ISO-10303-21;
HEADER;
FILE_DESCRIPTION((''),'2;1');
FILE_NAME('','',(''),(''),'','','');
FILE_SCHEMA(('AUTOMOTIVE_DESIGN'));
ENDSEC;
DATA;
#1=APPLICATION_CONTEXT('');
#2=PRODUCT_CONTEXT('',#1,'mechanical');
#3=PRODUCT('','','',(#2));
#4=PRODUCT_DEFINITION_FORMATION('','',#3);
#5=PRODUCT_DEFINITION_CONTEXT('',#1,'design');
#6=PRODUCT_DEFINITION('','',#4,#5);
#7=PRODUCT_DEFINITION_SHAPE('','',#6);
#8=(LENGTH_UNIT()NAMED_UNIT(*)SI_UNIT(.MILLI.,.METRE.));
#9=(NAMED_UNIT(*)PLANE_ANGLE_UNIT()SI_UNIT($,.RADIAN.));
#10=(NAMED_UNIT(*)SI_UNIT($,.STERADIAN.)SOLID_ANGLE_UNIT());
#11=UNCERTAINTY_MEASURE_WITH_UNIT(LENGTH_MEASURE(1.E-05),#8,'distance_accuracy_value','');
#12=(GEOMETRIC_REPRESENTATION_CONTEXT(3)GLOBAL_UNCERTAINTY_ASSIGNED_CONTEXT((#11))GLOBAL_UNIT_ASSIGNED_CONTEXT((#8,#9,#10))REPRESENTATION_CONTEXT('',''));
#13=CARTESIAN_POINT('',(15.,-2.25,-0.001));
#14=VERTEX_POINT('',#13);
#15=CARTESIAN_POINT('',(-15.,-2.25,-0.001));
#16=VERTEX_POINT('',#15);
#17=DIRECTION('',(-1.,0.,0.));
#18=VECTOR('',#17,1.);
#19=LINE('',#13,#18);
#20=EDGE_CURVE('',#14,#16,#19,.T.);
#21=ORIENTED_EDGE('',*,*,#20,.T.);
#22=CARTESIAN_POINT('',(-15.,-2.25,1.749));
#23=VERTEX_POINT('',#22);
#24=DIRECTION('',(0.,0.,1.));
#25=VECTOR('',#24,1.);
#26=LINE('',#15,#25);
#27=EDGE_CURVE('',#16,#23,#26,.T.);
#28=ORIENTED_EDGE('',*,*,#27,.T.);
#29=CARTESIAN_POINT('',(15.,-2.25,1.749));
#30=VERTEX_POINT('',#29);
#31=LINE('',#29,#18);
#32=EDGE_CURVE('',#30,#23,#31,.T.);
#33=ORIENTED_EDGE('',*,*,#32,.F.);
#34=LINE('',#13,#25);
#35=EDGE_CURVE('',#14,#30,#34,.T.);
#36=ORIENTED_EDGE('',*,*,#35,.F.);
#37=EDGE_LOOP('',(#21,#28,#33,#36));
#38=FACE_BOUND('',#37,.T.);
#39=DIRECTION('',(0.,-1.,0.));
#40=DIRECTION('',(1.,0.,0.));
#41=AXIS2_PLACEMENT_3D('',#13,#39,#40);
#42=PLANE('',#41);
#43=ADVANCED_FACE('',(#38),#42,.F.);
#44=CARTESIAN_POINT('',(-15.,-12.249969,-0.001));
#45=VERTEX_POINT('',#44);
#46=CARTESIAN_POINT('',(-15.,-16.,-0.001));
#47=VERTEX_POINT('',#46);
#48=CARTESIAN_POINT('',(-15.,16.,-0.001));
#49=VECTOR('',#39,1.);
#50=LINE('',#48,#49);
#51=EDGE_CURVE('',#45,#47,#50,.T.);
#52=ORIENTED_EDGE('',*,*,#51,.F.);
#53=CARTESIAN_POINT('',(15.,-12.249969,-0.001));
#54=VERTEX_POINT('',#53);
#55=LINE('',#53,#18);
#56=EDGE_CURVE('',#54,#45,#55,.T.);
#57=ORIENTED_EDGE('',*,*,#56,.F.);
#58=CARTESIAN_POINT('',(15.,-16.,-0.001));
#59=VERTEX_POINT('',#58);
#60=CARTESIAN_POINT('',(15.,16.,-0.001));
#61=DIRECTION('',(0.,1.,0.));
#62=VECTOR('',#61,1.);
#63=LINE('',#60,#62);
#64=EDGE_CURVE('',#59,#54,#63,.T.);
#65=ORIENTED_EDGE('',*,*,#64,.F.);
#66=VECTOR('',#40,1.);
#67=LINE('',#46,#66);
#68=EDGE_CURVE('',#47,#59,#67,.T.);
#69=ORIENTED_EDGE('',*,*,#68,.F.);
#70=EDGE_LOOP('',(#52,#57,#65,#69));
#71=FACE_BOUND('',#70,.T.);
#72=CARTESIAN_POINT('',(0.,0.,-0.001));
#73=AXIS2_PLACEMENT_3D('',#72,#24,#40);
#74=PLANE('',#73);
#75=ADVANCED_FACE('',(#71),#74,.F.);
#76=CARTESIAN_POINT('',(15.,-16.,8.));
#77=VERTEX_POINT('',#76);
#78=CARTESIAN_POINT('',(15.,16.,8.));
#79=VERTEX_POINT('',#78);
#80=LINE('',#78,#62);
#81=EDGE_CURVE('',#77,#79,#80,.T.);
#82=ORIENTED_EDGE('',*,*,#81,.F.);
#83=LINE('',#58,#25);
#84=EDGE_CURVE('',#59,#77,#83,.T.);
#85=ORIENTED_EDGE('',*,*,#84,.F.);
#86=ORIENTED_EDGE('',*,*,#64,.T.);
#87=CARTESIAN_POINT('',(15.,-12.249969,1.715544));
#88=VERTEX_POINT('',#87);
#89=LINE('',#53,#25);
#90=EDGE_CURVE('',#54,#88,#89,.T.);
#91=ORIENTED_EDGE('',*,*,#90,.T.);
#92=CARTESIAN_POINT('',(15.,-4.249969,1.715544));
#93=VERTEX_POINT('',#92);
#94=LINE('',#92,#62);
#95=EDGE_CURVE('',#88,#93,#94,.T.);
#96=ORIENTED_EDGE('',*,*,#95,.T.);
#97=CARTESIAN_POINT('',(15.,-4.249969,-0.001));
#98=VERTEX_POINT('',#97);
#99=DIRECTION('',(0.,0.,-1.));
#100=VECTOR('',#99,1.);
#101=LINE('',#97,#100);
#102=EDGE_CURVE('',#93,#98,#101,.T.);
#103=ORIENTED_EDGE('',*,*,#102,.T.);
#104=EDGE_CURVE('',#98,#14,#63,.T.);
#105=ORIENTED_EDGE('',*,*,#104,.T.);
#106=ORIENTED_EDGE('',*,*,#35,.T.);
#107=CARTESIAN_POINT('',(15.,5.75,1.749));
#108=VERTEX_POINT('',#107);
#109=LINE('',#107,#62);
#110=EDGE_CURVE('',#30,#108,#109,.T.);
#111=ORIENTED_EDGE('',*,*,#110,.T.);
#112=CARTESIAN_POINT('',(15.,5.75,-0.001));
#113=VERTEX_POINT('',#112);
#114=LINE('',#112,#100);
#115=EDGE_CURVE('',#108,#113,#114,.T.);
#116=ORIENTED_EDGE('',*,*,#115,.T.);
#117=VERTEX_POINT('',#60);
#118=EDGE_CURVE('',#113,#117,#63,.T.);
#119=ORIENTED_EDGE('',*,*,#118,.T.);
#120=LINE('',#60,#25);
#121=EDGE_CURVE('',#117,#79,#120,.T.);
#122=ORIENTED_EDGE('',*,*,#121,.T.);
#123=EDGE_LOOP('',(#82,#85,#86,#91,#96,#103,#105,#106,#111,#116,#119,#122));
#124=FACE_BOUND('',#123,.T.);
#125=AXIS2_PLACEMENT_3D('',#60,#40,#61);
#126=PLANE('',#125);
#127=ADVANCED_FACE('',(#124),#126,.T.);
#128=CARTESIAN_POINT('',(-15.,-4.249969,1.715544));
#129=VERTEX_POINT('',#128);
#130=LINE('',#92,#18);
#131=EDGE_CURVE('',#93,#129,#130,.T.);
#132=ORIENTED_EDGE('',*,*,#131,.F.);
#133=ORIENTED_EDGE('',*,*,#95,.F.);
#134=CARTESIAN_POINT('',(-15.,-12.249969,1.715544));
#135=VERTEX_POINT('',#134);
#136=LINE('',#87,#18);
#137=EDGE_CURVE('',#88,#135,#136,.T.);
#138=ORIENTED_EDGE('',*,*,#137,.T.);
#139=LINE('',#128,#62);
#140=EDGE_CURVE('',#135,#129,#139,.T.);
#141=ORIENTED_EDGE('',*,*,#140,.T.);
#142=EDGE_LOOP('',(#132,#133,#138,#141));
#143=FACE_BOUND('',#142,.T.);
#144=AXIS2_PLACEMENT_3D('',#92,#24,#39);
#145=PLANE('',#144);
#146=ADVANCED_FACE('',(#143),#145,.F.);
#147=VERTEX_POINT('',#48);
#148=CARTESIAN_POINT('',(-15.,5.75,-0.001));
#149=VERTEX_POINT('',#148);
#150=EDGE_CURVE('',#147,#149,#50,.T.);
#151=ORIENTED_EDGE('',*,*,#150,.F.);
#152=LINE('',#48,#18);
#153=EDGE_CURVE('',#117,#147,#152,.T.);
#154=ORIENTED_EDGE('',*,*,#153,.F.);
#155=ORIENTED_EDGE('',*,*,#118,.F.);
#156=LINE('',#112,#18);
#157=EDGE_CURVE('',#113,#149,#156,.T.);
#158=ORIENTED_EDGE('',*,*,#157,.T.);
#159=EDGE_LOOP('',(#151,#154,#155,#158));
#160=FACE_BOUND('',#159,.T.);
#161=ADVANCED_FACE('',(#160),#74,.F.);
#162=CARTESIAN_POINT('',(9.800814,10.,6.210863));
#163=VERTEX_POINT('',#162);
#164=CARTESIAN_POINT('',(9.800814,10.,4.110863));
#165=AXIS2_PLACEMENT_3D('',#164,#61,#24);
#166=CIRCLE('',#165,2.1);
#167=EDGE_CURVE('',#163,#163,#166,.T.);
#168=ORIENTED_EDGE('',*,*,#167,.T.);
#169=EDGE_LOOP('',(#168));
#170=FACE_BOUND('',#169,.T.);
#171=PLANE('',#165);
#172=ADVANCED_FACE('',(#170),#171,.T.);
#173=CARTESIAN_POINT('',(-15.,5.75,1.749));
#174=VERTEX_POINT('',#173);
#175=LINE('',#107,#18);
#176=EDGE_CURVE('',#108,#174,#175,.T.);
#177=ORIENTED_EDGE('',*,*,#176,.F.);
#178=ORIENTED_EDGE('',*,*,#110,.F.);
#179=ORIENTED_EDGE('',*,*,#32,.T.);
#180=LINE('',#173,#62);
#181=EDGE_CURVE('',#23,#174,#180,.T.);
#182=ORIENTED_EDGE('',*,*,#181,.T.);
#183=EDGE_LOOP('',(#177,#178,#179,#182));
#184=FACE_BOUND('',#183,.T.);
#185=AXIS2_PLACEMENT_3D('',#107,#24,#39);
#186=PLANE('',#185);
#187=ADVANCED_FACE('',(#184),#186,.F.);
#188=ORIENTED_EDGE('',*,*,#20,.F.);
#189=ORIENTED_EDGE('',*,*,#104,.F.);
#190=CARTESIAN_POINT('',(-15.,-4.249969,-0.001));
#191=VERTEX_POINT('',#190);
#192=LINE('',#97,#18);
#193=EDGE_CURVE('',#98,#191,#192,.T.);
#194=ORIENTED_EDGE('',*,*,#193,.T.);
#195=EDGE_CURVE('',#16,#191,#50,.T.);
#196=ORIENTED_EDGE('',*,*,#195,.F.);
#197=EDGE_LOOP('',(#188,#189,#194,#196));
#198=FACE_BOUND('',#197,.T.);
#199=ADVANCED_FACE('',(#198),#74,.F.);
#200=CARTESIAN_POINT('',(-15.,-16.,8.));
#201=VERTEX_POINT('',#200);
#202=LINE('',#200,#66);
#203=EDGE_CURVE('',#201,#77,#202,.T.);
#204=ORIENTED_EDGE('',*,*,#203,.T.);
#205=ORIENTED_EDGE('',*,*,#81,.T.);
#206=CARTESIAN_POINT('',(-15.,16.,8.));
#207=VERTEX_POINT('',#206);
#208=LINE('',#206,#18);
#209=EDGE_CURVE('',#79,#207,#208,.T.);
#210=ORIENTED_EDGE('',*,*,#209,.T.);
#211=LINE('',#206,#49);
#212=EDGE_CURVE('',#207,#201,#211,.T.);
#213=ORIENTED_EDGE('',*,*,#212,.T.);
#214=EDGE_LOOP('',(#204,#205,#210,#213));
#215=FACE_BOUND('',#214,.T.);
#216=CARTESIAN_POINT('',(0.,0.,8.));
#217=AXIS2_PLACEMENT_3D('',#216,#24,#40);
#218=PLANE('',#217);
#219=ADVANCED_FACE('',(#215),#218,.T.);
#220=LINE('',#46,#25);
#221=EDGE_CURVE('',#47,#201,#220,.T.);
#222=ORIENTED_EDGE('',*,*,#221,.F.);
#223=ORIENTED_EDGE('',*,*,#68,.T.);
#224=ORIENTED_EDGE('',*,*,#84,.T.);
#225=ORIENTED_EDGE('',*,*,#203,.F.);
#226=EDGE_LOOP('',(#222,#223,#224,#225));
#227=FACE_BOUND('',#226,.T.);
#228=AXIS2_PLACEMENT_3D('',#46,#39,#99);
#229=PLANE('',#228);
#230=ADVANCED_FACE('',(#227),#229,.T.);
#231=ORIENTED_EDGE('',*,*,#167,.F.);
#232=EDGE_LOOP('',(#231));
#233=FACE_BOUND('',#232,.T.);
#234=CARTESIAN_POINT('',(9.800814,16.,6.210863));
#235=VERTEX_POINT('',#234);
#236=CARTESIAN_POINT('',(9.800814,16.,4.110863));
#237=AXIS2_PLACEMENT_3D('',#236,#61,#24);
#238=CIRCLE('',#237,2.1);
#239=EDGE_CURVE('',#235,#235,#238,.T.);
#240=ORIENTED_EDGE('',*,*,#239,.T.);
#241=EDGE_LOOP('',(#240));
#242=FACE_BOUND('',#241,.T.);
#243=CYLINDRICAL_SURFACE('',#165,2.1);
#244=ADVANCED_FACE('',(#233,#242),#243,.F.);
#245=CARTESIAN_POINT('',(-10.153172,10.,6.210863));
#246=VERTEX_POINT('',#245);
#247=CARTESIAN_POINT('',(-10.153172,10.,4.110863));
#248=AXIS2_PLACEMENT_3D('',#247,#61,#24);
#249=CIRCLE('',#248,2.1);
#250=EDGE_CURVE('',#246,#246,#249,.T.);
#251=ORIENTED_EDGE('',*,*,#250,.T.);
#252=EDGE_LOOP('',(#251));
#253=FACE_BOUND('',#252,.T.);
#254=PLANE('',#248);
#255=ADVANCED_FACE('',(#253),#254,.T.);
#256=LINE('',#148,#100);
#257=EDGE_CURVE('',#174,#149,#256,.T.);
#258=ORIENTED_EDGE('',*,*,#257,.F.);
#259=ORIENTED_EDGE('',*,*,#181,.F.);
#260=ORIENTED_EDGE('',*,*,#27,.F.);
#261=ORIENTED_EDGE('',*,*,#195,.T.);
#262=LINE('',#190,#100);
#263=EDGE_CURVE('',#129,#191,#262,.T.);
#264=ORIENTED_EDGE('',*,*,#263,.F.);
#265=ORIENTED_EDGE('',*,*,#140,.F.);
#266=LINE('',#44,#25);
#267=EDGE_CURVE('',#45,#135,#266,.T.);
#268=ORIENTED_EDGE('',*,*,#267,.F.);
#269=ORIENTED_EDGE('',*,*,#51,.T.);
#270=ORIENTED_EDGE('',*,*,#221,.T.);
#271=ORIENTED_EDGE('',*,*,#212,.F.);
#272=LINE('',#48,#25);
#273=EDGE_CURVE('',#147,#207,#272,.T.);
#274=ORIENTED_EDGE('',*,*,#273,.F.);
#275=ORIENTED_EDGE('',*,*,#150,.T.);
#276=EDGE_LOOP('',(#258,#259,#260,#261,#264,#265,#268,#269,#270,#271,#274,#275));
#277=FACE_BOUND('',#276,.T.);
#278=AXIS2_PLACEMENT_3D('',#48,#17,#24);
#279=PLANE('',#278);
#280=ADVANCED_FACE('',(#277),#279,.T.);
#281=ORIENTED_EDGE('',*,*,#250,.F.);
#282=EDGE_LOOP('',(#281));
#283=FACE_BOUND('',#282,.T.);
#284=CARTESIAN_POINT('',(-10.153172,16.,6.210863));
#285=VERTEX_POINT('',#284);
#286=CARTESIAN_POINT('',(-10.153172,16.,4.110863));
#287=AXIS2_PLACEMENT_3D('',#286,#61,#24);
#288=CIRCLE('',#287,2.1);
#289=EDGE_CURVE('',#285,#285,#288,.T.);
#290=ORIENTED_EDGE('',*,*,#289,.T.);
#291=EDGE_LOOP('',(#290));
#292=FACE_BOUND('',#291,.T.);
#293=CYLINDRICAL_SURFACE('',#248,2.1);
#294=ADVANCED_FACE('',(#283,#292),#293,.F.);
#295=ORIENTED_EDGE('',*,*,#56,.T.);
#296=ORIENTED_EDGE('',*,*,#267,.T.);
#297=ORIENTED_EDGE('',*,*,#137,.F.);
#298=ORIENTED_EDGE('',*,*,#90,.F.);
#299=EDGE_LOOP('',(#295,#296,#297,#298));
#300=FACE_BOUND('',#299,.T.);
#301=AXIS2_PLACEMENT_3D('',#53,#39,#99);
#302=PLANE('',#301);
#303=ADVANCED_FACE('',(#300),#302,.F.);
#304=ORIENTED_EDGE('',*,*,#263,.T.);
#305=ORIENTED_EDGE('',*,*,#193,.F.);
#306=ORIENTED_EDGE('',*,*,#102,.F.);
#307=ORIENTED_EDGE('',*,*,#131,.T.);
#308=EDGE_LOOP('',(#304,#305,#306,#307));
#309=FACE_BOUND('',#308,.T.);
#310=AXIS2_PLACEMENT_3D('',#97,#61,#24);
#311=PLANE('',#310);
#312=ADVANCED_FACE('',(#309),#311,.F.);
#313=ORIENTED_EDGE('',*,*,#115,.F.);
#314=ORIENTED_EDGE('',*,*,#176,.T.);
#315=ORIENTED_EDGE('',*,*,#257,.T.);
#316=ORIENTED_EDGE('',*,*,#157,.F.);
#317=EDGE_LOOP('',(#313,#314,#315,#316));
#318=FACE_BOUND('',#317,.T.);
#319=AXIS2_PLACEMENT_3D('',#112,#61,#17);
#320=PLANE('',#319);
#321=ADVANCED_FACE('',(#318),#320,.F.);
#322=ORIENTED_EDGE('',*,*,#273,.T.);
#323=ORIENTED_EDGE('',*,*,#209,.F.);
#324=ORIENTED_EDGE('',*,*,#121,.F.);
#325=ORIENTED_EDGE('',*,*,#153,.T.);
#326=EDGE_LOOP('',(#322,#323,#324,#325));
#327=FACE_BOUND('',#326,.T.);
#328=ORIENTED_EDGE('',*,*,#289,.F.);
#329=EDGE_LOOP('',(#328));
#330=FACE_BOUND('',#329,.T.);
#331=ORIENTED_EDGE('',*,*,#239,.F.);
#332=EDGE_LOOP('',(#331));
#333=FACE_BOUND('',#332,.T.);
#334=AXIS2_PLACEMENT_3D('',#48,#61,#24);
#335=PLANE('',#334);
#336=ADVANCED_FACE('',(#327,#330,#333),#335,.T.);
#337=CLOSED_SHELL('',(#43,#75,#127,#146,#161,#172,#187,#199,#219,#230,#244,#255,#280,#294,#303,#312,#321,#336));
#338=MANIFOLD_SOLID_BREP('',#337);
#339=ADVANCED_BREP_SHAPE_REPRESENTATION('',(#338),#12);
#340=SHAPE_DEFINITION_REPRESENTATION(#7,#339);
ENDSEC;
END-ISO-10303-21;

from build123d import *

# Parameters (mm, degrees)
BOSS_EXTRUDE1_DEPTH      = 8
BOSS_EXTRUDE1_DEPTH_BACK = 0.001
SKETCH1_W                = 30
SKETCH1_H                = 32
SKETCH3_W                = 1.75
SKETCH3_H                = 8
SKETCH3_W_2              = 1.716544358
CUT_EXTRUDE1_DEPTH       = 35.928498393
SKETCH4_R                = 2.1
CUT_EXTRUDE2_DEPTH       = 6


with BuildPart() as part:
    # Sketch1 → Boss-Extrude1 (new, two sides: drawn at the far end of the back side and taken through both)
    with BuildSketch(Plane.XY.offset(-BOSS_EXTRUDE1_DEPTH_BACK)):
        Rectangle(SKETCH1_W, SKETCH1_H)
    extrude(amount=BOSS_EXTRUDE1_DEPTH + BOSS_EXTRUDE1_DEPTH_BACK)

    # Sketch3 → Cut-Extrude1 (cut, through all)
    with BuildSketch(Plane.ZY.offset(15)):
        with Locations((0.874, 1.75)):
            Rectangle(SKETCH3_W, SKETCH3_H)
        with Locations((0.857272179, -8.249968909)):
            Rectangle(SKETCH3_W_2, SKETCH3_H)
    extrude(amount=-CUT_EXTRUDE1_DEPTH, mode=Mode.SUBTRACT)

    # Sketch4 → Cut-Extrude2 (cut)
    with BuildSketch(Plane(origin=(0, 16, 0), x_dir=(1, 0, 0), z_dir=(0, 1, 0))):
        with Locations(Location((-10.153172438, -4.11086305, 0), (0, 0, 270))):
            Circle(SKETCH4_R)
        with Locations(Location((9.800813668, -4.11086305, 0), (0, 0, 270))):
            Circle(SKETCH4_R)
    extrude(amount=-CUT_EXTRUDE2_DEPTH, mode=Mode.SUBTRACT)


solid = part.part
